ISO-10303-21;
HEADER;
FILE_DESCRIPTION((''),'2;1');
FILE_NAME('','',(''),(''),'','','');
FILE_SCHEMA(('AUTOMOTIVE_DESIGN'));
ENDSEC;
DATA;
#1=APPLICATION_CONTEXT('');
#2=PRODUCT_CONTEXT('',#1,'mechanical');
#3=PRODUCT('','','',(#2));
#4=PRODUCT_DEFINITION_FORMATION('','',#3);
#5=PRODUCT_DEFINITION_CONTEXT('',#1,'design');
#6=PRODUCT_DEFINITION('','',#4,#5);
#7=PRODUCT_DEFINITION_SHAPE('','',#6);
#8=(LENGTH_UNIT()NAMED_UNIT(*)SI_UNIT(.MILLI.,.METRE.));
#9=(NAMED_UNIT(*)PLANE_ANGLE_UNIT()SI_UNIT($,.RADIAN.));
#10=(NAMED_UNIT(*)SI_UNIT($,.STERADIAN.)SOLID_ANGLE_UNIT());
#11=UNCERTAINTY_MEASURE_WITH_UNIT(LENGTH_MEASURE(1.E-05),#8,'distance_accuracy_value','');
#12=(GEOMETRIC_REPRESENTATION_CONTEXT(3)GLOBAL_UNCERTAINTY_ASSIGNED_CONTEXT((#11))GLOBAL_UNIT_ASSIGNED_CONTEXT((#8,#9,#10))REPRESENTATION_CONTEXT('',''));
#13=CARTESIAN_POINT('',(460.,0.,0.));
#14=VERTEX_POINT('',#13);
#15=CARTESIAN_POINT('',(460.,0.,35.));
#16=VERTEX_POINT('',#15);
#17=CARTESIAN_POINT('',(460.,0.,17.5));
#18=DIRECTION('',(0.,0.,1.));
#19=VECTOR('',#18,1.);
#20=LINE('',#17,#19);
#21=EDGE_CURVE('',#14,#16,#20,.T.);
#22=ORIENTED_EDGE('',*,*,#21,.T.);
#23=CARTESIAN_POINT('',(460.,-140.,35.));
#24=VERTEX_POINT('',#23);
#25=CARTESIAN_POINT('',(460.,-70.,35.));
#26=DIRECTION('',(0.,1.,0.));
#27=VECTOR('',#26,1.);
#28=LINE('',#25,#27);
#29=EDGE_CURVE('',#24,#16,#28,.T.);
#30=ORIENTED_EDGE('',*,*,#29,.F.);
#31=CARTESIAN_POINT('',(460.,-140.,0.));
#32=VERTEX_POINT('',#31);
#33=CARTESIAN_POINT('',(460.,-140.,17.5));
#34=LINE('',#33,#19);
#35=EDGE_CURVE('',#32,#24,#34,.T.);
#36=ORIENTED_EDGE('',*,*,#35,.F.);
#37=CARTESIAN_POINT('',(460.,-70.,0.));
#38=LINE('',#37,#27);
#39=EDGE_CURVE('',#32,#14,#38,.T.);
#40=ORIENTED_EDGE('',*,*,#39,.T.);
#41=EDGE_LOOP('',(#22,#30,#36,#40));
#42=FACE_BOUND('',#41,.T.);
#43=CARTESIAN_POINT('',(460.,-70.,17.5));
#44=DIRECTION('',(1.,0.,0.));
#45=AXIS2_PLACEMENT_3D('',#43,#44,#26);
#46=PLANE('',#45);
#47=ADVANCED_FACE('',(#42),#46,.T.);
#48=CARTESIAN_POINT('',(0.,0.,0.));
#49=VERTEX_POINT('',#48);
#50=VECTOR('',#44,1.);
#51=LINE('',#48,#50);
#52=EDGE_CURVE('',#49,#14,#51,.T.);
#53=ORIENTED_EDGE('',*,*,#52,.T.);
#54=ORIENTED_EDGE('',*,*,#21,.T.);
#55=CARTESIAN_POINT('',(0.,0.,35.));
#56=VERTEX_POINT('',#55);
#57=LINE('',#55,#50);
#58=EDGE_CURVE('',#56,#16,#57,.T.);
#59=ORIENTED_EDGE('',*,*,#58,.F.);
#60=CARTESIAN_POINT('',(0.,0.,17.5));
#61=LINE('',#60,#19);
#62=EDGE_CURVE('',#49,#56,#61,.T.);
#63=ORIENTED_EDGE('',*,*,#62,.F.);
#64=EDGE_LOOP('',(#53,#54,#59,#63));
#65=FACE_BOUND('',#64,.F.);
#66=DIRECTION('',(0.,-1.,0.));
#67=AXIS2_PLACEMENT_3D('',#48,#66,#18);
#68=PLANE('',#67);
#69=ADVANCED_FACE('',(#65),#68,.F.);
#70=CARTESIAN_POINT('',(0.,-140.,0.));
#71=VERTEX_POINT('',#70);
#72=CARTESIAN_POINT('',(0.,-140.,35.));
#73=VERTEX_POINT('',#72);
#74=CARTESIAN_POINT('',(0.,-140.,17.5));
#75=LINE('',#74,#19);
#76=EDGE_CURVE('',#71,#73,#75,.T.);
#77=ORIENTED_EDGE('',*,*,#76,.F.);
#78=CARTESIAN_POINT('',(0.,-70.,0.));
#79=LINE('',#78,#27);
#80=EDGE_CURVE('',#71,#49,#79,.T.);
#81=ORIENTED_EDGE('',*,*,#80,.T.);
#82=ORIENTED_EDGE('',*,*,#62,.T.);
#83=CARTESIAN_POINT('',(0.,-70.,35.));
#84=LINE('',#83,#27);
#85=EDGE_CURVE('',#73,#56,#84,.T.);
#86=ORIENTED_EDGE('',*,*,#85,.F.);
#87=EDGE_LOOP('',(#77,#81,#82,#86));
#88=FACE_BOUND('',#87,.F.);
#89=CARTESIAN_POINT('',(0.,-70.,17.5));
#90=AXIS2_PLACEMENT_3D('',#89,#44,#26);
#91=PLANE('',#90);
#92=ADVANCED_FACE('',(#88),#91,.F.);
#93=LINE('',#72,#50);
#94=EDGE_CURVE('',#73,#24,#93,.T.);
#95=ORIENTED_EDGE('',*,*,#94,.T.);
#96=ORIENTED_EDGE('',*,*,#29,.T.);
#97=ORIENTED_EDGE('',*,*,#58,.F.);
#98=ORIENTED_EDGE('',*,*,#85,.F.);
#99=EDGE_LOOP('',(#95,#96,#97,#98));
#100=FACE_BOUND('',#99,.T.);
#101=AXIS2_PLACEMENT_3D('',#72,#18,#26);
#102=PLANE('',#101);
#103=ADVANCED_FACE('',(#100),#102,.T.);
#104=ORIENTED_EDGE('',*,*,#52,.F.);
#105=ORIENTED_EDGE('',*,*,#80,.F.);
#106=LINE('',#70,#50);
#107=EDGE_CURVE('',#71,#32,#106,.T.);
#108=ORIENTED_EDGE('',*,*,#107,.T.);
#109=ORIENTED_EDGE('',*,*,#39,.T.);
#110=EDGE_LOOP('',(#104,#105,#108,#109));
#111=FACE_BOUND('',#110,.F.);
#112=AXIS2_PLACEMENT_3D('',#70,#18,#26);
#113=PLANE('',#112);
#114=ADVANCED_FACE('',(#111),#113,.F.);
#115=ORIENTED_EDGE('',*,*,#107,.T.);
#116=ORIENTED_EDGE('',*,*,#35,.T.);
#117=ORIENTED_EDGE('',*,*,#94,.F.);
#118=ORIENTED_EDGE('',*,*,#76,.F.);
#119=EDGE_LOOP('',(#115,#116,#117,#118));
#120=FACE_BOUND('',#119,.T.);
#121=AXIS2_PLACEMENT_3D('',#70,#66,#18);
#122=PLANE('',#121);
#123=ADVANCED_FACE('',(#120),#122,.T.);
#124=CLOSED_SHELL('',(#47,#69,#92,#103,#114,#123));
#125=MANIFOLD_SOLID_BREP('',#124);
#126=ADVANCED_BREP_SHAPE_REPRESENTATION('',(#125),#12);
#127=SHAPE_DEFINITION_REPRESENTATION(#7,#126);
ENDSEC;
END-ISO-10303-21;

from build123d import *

# Parameters (mm, degrees)
SKETCH_W  = 140
SKETCH_H  = 35
PAD_DEPTH = 460


with BuildPart() as part:
    # Sketch → Pad (new body)
    with BuildSketch(Plane.YZ):
        with Locations((-70, 17.5)):
            Rectangle(SKETCH_W, SKETCH_H)
    extrude(amount=PAD_DEPTH)


solid = part.part
